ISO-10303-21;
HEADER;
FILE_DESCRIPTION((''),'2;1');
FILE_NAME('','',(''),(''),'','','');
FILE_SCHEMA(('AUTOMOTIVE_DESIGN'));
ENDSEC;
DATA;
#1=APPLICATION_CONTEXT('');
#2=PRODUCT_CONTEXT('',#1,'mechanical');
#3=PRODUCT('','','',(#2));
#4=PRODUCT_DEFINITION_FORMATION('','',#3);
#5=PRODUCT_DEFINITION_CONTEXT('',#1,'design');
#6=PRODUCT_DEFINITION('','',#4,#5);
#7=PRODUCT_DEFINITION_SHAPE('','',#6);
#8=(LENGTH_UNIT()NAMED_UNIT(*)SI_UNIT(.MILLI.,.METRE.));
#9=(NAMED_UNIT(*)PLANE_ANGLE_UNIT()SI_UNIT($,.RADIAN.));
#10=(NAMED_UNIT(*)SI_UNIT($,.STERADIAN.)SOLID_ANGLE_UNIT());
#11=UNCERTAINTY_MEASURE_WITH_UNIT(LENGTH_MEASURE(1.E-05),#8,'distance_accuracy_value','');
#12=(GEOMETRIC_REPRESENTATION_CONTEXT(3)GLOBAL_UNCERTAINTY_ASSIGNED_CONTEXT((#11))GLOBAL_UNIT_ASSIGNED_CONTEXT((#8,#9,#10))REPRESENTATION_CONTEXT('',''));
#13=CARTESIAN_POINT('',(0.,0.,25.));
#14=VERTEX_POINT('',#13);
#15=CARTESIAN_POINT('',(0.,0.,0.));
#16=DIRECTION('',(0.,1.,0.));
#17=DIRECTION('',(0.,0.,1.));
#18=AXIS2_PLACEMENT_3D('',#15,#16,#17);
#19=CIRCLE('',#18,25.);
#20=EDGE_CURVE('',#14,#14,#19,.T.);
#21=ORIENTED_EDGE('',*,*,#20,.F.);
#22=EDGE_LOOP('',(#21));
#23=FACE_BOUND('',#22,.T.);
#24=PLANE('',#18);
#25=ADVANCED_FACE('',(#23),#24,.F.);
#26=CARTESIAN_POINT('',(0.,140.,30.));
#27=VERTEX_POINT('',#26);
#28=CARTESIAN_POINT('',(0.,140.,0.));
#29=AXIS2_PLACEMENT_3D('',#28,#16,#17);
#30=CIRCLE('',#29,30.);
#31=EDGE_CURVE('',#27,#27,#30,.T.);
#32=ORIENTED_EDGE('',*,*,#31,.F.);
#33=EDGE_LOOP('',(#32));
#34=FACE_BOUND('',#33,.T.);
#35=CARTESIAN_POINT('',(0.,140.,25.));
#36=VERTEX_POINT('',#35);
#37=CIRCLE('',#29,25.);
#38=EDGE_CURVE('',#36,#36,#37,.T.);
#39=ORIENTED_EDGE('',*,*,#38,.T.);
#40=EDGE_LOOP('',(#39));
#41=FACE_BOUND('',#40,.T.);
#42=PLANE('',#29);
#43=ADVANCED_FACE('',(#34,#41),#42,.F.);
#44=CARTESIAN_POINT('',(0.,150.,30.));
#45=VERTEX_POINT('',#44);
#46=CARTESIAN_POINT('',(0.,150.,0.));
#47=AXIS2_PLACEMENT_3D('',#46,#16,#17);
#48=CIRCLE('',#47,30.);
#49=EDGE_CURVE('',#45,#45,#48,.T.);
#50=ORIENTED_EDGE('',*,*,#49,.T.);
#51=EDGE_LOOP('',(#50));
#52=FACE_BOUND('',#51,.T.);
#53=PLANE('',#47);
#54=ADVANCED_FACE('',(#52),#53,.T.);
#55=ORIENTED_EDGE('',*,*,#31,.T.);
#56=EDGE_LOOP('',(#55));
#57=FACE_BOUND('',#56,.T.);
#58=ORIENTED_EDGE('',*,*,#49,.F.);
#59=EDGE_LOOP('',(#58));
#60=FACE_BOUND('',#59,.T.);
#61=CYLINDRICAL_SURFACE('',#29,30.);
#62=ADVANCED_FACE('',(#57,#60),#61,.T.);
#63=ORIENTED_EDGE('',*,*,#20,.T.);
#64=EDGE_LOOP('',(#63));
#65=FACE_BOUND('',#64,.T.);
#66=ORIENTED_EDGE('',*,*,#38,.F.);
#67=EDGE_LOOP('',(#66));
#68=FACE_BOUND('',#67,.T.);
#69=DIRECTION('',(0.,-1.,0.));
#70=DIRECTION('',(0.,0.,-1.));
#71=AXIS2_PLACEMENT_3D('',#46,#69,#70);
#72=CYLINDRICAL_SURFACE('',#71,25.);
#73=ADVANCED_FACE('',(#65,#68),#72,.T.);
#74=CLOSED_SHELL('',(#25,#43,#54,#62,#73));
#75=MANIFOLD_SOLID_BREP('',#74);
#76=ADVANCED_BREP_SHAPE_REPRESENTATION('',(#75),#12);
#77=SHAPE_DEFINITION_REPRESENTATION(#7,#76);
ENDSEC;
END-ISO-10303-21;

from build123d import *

# Parameters (mm, degrees)
SKETCH_1_R      = 25
EXTRUDE_1_DEPTH = 150
SKETCH_2_R      = 30
EXTRUDE_2_DEPTH = 10


with BuildPart() as part:
    # 草图1 → 凸台-拉伸1 (new body)
    with BuildSketch(Plane(origin=(0, 0, 0), x_dir=(1, 0, 0), z_dir=(0, 1, 0))):
        with Locations(Location((0, 0, 0), (0, 0, 270))):
            Circle(SKETCH_1_R)
    extrude(amount=EXTRUDE_1_DEPTH)

    # 草图2 → 凸台-拉伸2 (add)
    with BuildSketch(Plane(origin=(0, 150, 0), x_dir=(1, 0, 0), z_dir=(0, 1, 0))):
        with Locations(Location((0, 0, 0), (0, 0, 270))):
            Circle(SKETCH_2_R)
    extrude(amount=-EXTRUDE_2_DEPTH)


solid = part.part
